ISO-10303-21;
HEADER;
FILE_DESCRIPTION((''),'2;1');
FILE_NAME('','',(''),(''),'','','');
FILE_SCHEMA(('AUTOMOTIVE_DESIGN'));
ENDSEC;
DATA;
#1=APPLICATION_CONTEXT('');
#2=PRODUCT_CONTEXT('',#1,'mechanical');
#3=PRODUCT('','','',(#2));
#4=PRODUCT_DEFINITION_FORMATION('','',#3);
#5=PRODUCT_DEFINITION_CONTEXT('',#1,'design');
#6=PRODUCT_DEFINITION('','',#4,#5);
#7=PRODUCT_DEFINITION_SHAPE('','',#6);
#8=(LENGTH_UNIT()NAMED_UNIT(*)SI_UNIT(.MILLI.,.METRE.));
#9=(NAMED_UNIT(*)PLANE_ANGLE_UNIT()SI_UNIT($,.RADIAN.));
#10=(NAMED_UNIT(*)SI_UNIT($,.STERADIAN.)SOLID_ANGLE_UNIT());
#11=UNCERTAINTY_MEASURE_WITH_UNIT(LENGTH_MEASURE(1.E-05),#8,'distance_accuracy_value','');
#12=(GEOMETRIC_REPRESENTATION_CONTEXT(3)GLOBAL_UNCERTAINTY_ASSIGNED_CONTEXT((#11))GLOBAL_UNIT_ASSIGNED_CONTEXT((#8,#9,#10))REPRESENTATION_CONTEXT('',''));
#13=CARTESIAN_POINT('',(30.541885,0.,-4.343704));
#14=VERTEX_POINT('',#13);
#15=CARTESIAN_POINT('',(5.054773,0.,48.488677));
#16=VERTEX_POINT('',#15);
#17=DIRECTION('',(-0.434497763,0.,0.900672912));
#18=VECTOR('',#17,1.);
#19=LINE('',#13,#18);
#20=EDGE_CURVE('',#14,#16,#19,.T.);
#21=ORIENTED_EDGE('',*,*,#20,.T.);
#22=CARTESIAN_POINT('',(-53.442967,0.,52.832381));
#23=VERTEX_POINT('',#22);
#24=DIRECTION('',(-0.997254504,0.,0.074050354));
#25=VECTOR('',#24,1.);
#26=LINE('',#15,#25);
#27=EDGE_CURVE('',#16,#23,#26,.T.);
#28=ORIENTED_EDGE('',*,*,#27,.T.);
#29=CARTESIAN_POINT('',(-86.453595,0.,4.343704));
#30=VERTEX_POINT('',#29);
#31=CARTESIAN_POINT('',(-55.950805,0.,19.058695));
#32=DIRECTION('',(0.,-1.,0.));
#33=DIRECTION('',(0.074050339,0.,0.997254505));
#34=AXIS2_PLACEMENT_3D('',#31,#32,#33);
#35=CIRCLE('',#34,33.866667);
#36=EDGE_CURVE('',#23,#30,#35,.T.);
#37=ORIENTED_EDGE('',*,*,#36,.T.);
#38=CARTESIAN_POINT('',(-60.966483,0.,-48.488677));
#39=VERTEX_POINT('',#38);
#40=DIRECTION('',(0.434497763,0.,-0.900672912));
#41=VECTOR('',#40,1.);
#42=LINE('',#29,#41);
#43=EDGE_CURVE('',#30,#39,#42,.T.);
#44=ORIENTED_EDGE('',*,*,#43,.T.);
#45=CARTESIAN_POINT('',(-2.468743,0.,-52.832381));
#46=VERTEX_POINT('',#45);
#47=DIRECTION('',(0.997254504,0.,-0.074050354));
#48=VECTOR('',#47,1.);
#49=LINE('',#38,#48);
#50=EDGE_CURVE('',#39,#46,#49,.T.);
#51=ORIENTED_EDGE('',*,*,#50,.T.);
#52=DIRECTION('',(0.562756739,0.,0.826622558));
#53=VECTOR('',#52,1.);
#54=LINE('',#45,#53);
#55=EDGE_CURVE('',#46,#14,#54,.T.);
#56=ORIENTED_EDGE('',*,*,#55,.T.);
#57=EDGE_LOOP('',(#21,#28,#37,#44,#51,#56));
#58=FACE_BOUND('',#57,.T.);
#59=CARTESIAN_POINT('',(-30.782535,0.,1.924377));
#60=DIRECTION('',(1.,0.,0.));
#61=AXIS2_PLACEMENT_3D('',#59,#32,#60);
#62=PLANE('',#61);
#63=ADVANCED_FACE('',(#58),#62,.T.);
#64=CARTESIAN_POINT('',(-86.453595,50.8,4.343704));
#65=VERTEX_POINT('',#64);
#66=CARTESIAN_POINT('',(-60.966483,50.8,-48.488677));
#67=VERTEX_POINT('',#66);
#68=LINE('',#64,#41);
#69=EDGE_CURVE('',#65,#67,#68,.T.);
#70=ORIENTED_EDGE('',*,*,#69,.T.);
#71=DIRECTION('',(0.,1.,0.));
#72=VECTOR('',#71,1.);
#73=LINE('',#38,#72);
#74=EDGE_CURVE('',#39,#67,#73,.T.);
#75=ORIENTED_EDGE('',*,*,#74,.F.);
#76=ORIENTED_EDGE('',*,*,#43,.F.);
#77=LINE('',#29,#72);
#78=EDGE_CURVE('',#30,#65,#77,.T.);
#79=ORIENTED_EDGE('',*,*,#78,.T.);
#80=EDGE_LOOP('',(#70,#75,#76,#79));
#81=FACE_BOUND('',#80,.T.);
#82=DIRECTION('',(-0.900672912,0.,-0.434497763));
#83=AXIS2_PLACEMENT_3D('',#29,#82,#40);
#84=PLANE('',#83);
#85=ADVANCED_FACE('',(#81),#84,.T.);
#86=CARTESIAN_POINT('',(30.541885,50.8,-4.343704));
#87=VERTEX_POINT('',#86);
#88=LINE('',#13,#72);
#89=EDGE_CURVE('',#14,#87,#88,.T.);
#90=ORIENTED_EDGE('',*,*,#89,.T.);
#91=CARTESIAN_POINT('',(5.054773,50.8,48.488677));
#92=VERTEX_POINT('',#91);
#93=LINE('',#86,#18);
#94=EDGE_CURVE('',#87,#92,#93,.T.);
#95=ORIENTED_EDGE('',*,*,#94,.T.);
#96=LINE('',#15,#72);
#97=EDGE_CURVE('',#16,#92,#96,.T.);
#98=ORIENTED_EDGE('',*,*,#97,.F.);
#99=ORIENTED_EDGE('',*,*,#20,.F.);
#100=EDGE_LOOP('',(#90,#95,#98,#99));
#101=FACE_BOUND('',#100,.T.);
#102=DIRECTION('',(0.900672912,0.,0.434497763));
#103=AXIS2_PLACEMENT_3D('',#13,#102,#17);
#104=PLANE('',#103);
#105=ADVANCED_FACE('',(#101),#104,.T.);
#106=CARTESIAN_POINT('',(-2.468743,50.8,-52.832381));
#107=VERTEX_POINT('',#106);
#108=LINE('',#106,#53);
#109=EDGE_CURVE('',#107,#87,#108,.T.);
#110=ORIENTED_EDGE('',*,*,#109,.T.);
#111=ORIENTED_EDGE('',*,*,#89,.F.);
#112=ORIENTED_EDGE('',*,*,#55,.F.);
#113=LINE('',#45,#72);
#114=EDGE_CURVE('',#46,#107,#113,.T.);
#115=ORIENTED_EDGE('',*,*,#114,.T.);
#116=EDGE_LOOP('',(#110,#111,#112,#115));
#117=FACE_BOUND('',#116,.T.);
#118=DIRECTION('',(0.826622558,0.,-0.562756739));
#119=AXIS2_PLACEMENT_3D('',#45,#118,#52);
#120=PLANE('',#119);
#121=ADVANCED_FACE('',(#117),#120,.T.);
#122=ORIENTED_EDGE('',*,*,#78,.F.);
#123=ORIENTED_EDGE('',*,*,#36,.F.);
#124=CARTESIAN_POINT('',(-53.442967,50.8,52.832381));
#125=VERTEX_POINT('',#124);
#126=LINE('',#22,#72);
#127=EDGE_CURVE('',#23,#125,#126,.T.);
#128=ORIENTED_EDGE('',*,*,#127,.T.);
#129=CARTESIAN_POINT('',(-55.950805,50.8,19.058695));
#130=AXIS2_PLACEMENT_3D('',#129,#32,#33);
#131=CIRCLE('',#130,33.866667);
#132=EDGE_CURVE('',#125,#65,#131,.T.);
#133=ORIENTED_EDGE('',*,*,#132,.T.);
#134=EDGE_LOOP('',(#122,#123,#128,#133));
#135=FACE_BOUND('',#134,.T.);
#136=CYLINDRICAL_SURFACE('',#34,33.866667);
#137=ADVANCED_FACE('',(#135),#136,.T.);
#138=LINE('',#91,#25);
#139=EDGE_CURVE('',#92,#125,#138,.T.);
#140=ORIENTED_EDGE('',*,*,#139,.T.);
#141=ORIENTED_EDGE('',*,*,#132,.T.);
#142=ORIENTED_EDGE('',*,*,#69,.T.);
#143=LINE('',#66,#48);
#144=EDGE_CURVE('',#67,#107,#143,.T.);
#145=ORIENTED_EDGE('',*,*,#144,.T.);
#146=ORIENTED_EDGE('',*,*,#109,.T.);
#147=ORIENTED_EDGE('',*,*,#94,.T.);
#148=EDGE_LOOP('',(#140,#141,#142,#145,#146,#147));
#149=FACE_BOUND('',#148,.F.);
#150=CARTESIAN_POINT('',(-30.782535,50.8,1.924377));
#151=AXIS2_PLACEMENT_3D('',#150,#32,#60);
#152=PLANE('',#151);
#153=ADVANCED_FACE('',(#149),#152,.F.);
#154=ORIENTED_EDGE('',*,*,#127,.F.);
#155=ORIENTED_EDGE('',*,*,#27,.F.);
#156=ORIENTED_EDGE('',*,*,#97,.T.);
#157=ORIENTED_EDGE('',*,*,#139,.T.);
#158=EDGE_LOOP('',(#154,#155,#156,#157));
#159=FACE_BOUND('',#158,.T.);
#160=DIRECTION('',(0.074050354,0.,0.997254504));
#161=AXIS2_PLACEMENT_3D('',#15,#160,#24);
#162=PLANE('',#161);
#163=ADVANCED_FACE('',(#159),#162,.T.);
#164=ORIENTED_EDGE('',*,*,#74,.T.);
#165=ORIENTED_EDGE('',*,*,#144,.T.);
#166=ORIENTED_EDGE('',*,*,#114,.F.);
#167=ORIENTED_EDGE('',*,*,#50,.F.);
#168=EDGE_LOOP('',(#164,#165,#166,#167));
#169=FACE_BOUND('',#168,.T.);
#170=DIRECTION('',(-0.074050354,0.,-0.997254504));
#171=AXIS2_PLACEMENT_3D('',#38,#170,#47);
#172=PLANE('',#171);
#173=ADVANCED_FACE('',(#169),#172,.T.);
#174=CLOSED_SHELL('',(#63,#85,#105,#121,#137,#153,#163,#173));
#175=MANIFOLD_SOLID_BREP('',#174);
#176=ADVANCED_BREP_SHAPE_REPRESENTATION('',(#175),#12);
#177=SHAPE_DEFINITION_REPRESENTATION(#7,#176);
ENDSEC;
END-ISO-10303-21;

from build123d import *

# Parameters (mm, degrees)
F1_DEPTH = 50.8


with BuildPart() as f1:
    # F0 (on Front) → F1 (new body)
    with BuildSketch(Plane.XZ):
        with BuildLine():
            Line((-86.453595, 4.343704), (-60.966483, -48.488677))
            Line((-60.966483, -48.488677), (-2.468743, -52.832381))
            Line((-2.468743, -52.832381), (30.541885, -4.343704))
            Line((30.541885, -4.343704), (5.054773, 48.488677))
            Line((5.054773, 48.488677), (-53.442967, 52.832381))
            ThreePointArc((-53.442967, 52.832381), (-83.945756, 38.11739), (-86.453595, 4.343704))
        make_face()
    extrude(amount=-F1_DEPTH)


solid = f1.part
